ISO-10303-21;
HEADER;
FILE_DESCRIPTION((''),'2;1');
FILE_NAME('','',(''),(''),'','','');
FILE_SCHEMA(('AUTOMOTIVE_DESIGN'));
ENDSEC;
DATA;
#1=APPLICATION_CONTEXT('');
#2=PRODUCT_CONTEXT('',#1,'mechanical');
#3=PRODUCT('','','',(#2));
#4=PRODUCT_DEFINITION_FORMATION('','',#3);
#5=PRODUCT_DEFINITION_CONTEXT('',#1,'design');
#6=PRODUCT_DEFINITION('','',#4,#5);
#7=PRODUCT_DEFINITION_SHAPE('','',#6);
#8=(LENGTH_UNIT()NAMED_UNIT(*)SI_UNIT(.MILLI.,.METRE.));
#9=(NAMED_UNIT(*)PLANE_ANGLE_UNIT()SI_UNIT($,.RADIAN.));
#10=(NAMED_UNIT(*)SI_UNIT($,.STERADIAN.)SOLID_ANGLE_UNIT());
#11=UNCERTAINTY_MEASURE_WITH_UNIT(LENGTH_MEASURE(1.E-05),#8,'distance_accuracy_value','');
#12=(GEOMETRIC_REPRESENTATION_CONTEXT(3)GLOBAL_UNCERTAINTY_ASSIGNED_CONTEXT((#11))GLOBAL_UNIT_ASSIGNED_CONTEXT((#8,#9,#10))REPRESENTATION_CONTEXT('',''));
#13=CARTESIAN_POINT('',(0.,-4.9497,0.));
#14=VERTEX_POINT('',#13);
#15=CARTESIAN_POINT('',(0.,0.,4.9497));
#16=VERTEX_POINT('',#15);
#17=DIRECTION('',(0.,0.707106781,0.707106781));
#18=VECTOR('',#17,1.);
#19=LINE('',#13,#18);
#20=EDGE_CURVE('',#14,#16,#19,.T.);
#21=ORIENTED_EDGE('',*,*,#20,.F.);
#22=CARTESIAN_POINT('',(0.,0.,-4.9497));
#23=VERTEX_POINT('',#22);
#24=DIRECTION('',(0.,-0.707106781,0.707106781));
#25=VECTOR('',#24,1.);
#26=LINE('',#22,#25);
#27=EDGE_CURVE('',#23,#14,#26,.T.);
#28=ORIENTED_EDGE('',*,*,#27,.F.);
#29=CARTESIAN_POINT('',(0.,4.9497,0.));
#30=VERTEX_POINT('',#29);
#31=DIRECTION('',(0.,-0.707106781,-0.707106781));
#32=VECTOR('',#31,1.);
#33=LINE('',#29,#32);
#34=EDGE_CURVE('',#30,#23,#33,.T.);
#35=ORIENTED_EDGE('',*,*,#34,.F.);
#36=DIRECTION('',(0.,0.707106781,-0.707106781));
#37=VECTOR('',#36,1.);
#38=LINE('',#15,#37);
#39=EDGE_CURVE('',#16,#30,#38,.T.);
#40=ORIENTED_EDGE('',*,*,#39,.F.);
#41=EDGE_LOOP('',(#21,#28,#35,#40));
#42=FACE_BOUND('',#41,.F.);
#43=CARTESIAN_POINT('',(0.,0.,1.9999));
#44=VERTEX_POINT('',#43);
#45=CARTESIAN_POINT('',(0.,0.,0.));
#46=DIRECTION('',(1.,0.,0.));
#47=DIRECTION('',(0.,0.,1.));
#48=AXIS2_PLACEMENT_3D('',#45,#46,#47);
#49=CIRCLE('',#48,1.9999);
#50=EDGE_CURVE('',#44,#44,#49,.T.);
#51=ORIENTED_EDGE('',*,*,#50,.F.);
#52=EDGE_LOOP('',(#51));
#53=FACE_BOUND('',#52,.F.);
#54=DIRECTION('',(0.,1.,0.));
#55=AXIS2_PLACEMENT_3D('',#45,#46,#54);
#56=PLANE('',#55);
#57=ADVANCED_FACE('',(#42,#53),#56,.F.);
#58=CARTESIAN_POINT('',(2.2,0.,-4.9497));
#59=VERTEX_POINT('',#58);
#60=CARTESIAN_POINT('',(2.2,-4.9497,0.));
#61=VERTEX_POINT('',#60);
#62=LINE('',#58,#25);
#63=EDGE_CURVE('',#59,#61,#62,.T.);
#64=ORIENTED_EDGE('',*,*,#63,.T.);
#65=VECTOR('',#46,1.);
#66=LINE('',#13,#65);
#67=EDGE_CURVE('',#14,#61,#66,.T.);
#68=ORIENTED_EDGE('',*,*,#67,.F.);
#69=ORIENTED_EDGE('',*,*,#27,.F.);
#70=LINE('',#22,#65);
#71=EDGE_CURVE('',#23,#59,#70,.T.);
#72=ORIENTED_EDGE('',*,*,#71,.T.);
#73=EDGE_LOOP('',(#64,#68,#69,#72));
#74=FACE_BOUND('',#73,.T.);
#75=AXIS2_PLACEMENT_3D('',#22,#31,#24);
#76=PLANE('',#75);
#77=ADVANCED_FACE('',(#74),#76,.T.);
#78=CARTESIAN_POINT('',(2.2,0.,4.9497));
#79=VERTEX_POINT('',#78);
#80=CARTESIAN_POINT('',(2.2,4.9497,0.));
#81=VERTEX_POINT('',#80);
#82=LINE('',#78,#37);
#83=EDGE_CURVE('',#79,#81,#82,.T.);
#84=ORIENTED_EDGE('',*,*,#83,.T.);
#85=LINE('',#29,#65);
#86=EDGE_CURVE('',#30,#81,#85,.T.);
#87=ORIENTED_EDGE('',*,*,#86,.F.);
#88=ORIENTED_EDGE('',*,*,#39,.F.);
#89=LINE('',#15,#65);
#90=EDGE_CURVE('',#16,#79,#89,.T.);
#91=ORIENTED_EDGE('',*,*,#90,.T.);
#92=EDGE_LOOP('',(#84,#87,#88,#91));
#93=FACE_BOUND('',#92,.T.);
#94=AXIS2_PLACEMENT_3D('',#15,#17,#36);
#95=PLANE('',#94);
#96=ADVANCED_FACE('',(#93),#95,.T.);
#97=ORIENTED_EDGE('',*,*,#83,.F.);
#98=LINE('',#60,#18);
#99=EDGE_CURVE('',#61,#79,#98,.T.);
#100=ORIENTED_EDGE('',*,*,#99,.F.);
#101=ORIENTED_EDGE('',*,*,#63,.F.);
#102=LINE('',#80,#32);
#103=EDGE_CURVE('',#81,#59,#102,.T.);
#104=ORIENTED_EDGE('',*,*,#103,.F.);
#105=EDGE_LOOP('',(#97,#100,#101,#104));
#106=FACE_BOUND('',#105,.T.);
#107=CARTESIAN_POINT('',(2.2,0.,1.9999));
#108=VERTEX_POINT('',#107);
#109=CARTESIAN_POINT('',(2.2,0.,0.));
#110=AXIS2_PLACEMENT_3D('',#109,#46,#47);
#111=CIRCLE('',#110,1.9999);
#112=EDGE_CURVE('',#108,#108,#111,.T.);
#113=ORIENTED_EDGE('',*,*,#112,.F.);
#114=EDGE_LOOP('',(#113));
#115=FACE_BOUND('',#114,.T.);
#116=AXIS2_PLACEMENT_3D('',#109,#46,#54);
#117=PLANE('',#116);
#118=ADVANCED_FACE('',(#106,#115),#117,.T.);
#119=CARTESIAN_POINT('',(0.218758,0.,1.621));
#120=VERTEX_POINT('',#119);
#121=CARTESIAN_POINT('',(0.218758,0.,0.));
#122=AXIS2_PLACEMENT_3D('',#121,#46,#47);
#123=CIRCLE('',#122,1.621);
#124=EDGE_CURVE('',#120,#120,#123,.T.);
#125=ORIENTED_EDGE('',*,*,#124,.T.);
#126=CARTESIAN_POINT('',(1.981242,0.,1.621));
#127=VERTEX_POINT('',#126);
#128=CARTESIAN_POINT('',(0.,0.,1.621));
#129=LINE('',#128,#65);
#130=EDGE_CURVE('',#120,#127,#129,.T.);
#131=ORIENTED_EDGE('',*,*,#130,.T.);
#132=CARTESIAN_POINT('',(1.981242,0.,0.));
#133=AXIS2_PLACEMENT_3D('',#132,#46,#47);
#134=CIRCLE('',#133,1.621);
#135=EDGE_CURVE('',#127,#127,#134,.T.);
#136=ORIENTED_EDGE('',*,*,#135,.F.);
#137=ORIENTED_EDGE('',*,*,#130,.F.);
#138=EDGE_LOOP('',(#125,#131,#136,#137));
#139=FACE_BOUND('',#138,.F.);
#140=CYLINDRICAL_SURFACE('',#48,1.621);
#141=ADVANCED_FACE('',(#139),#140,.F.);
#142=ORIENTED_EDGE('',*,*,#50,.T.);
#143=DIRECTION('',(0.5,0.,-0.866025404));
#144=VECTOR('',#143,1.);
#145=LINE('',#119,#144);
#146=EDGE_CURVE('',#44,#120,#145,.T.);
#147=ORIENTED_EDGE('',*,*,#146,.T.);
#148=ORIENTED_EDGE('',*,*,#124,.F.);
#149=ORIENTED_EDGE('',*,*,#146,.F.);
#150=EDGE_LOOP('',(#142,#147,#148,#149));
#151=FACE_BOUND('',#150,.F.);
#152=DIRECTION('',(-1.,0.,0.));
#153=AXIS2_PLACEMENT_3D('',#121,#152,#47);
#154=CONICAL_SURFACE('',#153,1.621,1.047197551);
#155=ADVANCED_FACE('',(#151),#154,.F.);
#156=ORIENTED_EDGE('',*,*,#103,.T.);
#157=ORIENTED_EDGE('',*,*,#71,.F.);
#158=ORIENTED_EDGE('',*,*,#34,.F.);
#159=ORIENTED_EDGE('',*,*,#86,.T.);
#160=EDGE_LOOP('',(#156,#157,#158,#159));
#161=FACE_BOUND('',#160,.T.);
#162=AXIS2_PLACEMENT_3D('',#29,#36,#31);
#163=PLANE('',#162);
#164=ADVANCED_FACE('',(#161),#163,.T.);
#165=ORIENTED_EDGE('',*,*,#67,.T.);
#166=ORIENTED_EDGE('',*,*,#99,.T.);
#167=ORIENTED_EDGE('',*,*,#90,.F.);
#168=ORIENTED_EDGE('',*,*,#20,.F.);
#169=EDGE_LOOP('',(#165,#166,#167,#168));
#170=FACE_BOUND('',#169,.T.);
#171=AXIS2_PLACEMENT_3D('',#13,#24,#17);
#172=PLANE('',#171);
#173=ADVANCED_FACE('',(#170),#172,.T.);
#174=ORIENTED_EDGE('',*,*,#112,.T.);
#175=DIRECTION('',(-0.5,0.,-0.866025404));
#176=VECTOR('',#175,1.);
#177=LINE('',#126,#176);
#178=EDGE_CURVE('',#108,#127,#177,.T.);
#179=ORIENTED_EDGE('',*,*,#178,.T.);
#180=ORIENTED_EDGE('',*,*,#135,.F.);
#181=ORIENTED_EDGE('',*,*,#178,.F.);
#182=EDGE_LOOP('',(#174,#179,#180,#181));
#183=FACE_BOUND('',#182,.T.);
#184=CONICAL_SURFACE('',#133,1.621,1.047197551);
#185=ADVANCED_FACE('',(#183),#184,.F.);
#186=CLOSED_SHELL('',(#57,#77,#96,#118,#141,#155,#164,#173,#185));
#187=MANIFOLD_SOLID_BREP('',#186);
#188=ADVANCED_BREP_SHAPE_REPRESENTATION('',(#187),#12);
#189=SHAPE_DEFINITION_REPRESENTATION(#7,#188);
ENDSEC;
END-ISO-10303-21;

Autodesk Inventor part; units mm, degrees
ref_plane "YZ Plane" through (0, 0, 0) normal (1, 0, 0) x (0, 1, 0)
ref_plane "XZ Plane" through (0, 0, 0) normal (0, 1, 0) x (-1, 0, 0)
sketch "Skizze1" plane through (0, 0, 0) normal (1, 0, 0) x (0, 1, 0)
  line L0 (0, -4.9497) -> (-4.9497, 0)
  line L1 (-4.9497, 0) -> (0, 4.9497)
  line L2 (0, 4.9497) -> (4.9497, 0)
  line L3 (4.9497, 0) -> (0, -4.9497)
  line L4 (-6.9296, 0) -> (6.9296, 0) projected
  point P0 (0, 0)
  point P1 (0, 0)
  dimension "d0" = 9.8995
extrude "Körper" add sketch "Skizze1" along normal blind 2.2
sketch "Skizze2" plane through (0, 0, 0) normal (-1, 0, 0) x (0, 0, 1)
  point P0 (0, 0)
  point P1 (0, 0)
hole "Gewinde" at (0, 0, 0) direction (1, 0, 0) diameter 3.242 end through all thread size "M4x0.7" class "6H" standard "ISO Metric profile"
chamfer "Fase1" distance 0.3789 angle 30 1 edges at (0, 0, -1.621) measured on face at (0, -2.0082, 2.0544)
chamfer "Fase2" distance 0.3789 angle 30 1 edges at (2.2, 0, -1.621) measured on face at (2.2, -2.0082, 2.0544)
ref_plane "Work Plane1" through (14.1718, 0, 0) normal (0, 0.7071, -0.7071) x (-1, 0, 0)
equation "\"d0\" = 1.41421 * SW"
equation "\"d1\" = KOH"
equation "\"d3\" = -0.5 * GD1 + 0.5 * NND"
equation "\"d35\" = -0.5 * GD1 + 0.5 * NND"
equation "\"d5\" = -0.5 * GD1 + 0.5 * NND"
equation "\"d36\" = -0.5 * GD1 + 0.5 * NND"
equation "\"NND\" = 4"
equation "\"KOH\" = 2.2"
equation "\"SW\" = 7"
equation "\"GUL\" = 0.541266 * PTC"
equation "\"THREADDIA\" = 4"
equation "\"TOA\" = 30deg"
equation "\"PTC\" = 0.7"
equation "\"E0\" = 8.9"
equation "\"GAL\" = 0.541266 * PTC"
equation "\"GD1\" = 3.242228"
properties part number "DIN 562 - M4" material "Stahl, weich"
